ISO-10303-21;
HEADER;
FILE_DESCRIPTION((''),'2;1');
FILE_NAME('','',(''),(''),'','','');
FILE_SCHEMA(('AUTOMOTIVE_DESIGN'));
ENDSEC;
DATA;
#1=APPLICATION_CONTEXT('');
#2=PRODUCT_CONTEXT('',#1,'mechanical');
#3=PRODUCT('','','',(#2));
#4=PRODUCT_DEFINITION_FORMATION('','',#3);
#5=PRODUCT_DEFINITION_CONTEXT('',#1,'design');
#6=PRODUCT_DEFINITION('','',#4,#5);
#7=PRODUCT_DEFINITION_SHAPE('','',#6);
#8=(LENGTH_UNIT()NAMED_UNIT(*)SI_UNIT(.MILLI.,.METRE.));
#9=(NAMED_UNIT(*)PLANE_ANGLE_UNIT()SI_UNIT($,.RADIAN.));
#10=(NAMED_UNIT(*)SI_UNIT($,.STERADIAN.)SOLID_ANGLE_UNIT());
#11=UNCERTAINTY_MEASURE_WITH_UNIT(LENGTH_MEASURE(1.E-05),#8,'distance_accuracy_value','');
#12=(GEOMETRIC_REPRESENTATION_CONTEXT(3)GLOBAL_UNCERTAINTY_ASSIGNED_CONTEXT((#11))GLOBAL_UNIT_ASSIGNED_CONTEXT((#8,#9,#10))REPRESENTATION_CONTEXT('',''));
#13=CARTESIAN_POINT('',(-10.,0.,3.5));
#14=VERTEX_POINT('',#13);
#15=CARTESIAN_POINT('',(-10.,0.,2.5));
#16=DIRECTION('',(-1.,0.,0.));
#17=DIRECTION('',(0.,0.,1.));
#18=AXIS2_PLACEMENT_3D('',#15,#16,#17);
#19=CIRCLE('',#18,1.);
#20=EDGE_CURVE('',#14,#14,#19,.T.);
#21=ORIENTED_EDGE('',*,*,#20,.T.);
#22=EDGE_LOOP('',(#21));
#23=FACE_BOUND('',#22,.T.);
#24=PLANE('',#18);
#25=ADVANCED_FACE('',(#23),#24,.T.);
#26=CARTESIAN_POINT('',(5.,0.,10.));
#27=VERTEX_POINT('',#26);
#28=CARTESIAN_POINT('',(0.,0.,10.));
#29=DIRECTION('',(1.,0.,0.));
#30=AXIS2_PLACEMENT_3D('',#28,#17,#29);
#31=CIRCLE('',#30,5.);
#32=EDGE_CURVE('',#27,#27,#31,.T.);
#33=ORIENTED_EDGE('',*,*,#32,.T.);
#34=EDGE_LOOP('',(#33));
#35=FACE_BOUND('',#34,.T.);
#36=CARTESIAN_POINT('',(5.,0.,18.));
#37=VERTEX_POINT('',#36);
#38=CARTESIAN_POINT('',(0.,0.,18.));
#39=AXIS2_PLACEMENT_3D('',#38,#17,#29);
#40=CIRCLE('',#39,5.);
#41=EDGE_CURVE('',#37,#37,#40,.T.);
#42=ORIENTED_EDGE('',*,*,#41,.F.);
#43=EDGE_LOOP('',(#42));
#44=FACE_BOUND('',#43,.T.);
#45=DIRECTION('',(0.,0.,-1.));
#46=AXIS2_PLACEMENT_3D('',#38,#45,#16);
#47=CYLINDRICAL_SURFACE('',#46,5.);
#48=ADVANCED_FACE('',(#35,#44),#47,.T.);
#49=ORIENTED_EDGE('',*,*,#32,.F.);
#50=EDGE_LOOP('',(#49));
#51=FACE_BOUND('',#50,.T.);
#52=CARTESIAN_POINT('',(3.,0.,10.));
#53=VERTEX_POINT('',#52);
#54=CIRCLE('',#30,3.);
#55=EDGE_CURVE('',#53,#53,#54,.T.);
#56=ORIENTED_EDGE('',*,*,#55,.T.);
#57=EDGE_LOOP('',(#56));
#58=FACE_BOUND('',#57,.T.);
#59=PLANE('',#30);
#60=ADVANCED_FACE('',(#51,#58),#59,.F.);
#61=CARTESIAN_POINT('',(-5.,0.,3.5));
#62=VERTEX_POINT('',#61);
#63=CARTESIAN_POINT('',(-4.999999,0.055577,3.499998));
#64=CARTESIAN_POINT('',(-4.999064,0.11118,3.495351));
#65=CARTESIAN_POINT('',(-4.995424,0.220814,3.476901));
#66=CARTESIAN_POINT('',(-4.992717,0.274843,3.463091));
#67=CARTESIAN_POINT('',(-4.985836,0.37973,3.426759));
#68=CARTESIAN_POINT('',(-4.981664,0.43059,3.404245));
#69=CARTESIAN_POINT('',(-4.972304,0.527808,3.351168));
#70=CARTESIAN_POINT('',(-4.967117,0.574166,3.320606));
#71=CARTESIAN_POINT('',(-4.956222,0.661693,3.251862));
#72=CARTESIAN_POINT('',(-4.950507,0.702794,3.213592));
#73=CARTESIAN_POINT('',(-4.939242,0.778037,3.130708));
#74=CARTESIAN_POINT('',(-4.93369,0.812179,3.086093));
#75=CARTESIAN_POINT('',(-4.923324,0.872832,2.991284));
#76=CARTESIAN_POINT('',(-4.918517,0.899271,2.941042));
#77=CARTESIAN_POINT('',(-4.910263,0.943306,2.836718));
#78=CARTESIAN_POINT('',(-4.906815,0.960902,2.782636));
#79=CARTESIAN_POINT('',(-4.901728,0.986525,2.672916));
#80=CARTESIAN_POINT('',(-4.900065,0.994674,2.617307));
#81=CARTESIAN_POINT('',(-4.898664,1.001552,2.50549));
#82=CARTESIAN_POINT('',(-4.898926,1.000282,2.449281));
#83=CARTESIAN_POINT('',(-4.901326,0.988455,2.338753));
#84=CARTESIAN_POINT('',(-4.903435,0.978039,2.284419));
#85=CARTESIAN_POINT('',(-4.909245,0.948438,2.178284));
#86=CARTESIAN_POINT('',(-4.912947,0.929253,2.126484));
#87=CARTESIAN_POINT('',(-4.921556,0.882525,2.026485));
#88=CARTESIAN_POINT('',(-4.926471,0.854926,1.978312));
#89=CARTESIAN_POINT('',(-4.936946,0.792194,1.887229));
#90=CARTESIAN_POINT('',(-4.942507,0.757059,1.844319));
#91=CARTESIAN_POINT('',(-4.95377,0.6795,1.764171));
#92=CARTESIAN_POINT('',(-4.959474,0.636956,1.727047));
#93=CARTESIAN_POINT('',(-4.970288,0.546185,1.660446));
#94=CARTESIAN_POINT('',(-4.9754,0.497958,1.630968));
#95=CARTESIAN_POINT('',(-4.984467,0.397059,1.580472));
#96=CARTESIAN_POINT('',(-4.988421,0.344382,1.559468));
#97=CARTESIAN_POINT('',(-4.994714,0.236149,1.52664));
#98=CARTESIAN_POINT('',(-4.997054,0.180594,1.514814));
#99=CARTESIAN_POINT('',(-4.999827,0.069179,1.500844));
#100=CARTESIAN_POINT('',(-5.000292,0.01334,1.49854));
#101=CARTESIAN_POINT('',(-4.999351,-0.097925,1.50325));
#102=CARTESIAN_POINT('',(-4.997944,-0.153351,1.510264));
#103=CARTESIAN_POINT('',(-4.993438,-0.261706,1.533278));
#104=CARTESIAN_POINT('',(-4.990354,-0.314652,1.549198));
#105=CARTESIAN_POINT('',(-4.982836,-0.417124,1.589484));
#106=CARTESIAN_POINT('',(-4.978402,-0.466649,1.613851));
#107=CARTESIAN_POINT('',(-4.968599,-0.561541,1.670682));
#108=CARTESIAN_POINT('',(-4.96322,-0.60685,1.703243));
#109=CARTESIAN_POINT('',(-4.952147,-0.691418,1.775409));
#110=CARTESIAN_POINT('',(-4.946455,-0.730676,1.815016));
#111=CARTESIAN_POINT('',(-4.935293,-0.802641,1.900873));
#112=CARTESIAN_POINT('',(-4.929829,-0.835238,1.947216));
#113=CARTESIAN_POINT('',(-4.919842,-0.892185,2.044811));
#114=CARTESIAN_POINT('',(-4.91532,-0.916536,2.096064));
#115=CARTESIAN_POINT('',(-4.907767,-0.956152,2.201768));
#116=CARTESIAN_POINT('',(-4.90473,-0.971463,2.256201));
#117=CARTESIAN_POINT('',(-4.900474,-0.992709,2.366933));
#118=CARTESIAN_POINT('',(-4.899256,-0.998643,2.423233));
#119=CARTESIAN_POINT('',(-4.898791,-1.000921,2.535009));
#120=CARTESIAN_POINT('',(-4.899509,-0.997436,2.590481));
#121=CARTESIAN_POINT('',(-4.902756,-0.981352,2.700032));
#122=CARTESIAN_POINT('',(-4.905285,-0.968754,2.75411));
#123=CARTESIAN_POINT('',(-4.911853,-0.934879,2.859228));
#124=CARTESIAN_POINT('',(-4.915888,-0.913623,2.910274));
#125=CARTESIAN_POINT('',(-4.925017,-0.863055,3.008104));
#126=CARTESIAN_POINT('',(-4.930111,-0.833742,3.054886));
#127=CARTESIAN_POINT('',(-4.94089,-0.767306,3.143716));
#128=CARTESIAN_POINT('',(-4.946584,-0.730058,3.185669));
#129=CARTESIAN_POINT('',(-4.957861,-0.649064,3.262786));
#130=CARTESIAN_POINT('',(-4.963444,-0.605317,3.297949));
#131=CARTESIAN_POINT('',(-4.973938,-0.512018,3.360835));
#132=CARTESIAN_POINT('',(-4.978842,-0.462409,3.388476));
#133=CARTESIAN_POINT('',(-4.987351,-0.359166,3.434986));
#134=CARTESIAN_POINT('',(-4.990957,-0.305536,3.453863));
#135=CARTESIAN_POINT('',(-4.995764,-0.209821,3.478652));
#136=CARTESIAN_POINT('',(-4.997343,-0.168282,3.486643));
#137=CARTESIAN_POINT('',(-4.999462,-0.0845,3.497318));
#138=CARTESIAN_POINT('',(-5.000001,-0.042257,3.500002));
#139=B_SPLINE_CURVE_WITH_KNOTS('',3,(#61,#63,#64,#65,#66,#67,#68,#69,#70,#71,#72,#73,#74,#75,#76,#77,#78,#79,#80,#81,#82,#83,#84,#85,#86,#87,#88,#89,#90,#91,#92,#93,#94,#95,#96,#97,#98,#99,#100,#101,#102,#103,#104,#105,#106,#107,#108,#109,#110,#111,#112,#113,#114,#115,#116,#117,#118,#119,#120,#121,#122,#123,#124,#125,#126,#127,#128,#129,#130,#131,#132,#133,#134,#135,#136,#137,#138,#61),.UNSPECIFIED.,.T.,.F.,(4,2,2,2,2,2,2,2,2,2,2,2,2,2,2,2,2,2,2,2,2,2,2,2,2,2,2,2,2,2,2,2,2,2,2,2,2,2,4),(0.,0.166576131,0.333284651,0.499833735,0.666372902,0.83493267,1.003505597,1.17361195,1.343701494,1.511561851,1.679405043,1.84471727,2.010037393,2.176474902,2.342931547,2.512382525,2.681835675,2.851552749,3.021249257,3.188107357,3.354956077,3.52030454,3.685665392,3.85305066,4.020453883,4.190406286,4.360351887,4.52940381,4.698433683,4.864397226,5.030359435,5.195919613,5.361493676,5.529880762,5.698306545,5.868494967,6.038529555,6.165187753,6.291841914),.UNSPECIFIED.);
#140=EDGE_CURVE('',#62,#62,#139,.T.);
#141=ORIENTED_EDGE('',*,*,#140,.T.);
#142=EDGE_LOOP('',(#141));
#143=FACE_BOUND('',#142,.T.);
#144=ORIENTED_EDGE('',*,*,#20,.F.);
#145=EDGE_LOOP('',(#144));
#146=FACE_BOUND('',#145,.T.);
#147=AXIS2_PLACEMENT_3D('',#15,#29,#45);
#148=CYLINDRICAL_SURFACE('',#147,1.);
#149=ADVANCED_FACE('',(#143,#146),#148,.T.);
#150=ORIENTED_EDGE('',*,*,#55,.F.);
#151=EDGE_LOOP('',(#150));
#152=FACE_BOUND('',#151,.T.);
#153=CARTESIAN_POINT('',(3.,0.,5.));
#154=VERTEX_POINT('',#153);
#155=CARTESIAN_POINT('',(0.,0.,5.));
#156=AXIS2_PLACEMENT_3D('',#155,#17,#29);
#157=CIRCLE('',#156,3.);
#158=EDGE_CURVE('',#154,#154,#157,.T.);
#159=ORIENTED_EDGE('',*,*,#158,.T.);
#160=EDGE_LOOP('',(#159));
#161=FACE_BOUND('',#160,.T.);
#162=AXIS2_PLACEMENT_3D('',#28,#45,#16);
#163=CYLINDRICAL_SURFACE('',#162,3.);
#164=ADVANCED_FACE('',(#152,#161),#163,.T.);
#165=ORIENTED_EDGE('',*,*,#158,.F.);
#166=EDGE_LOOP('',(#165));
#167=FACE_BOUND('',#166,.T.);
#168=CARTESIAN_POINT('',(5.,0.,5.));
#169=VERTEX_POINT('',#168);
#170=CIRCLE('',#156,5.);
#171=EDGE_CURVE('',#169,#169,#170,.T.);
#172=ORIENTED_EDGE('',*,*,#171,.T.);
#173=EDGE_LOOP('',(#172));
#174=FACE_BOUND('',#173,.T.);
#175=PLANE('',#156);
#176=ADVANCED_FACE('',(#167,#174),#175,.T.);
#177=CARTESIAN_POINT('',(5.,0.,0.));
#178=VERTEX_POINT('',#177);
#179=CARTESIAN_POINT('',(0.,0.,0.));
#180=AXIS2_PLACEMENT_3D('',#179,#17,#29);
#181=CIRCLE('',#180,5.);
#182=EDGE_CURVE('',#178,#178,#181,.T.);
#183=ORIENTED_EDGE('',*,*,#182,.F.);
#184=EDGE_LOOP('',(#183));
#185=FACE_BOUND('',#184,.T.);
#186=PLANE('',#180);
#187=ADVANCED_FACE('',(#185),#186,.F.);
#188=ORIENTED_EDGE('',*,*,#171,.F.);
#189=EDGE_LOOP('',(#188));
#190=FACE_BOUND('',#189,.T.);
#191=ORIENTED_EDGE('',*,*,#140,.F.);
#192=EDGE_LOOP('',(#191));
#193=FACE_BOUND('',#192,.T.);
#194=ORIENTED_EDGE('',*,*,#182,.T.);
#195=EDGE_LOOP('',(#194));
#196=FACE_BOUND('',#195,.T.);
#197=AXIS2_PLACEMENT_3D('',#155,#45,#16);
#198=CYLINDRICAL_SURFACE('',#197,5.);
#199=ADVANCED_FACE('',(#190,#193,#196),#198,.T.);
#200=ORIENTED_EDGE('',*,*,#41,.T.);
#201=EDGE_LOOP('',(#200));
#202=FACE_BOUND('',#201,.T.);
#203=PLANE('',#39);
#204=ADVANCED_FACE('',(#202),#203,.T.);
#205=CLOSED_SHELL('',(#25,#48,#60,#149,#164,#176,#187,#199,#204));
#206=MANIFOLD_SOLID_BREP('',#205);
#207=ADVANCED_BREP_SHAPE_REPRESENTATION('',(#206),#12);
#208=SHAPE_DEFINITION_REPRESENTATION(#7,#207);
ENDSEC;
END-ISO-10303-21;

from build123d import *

# Parameters (mm, degrees)
SKETCH2_R           = 5
BOSS_EXTRUDE1_DEPTH = 5
SKETCH3_R           = 3
BOSS_EXTRUDE2_DEPTH = 5
SKETCH4_R           = 5
BOSS_EXTRUDE3_DEPTH = 8
SKETCH5_R           = 1
BOSS_EXTRUDE4_DEPTH = 10


with BuildPart() as part:
    # Sketch2 → Boss-Extrude1 (new body)
    with BuildSketch(Plane.XY):
        Circle(SKETCH2_R)
    extrude(amount=BOSS_EXTRUDE1_DEPTH)

    # Sketch3 → Boss-Extrude2 (add)
    with BuildSketch(Plane.XY.offset(5)):
        Circle(SKETCH3_R)
    extrude(amount=BOSS_EXTRUDE2_DEPTH)

    # Sketch4 → Boss-Extrude3 (add)
    with BuildSketch(Plane.XY.offset(10)):
        Circle(SKETCH4_R)
    extrude(amount=BOSS_EXTRUDE3_DEPTH)

    # Sketch5 → Boss-Extrude4 (add)
    with BuildSketch(Plane.ZY):
        with Locations((2.5, 0)):
            Circle(SKETCH5_R)
    extrude(amount=BOSS_EXTRUDE4_DEPTH)


solid = part.part
